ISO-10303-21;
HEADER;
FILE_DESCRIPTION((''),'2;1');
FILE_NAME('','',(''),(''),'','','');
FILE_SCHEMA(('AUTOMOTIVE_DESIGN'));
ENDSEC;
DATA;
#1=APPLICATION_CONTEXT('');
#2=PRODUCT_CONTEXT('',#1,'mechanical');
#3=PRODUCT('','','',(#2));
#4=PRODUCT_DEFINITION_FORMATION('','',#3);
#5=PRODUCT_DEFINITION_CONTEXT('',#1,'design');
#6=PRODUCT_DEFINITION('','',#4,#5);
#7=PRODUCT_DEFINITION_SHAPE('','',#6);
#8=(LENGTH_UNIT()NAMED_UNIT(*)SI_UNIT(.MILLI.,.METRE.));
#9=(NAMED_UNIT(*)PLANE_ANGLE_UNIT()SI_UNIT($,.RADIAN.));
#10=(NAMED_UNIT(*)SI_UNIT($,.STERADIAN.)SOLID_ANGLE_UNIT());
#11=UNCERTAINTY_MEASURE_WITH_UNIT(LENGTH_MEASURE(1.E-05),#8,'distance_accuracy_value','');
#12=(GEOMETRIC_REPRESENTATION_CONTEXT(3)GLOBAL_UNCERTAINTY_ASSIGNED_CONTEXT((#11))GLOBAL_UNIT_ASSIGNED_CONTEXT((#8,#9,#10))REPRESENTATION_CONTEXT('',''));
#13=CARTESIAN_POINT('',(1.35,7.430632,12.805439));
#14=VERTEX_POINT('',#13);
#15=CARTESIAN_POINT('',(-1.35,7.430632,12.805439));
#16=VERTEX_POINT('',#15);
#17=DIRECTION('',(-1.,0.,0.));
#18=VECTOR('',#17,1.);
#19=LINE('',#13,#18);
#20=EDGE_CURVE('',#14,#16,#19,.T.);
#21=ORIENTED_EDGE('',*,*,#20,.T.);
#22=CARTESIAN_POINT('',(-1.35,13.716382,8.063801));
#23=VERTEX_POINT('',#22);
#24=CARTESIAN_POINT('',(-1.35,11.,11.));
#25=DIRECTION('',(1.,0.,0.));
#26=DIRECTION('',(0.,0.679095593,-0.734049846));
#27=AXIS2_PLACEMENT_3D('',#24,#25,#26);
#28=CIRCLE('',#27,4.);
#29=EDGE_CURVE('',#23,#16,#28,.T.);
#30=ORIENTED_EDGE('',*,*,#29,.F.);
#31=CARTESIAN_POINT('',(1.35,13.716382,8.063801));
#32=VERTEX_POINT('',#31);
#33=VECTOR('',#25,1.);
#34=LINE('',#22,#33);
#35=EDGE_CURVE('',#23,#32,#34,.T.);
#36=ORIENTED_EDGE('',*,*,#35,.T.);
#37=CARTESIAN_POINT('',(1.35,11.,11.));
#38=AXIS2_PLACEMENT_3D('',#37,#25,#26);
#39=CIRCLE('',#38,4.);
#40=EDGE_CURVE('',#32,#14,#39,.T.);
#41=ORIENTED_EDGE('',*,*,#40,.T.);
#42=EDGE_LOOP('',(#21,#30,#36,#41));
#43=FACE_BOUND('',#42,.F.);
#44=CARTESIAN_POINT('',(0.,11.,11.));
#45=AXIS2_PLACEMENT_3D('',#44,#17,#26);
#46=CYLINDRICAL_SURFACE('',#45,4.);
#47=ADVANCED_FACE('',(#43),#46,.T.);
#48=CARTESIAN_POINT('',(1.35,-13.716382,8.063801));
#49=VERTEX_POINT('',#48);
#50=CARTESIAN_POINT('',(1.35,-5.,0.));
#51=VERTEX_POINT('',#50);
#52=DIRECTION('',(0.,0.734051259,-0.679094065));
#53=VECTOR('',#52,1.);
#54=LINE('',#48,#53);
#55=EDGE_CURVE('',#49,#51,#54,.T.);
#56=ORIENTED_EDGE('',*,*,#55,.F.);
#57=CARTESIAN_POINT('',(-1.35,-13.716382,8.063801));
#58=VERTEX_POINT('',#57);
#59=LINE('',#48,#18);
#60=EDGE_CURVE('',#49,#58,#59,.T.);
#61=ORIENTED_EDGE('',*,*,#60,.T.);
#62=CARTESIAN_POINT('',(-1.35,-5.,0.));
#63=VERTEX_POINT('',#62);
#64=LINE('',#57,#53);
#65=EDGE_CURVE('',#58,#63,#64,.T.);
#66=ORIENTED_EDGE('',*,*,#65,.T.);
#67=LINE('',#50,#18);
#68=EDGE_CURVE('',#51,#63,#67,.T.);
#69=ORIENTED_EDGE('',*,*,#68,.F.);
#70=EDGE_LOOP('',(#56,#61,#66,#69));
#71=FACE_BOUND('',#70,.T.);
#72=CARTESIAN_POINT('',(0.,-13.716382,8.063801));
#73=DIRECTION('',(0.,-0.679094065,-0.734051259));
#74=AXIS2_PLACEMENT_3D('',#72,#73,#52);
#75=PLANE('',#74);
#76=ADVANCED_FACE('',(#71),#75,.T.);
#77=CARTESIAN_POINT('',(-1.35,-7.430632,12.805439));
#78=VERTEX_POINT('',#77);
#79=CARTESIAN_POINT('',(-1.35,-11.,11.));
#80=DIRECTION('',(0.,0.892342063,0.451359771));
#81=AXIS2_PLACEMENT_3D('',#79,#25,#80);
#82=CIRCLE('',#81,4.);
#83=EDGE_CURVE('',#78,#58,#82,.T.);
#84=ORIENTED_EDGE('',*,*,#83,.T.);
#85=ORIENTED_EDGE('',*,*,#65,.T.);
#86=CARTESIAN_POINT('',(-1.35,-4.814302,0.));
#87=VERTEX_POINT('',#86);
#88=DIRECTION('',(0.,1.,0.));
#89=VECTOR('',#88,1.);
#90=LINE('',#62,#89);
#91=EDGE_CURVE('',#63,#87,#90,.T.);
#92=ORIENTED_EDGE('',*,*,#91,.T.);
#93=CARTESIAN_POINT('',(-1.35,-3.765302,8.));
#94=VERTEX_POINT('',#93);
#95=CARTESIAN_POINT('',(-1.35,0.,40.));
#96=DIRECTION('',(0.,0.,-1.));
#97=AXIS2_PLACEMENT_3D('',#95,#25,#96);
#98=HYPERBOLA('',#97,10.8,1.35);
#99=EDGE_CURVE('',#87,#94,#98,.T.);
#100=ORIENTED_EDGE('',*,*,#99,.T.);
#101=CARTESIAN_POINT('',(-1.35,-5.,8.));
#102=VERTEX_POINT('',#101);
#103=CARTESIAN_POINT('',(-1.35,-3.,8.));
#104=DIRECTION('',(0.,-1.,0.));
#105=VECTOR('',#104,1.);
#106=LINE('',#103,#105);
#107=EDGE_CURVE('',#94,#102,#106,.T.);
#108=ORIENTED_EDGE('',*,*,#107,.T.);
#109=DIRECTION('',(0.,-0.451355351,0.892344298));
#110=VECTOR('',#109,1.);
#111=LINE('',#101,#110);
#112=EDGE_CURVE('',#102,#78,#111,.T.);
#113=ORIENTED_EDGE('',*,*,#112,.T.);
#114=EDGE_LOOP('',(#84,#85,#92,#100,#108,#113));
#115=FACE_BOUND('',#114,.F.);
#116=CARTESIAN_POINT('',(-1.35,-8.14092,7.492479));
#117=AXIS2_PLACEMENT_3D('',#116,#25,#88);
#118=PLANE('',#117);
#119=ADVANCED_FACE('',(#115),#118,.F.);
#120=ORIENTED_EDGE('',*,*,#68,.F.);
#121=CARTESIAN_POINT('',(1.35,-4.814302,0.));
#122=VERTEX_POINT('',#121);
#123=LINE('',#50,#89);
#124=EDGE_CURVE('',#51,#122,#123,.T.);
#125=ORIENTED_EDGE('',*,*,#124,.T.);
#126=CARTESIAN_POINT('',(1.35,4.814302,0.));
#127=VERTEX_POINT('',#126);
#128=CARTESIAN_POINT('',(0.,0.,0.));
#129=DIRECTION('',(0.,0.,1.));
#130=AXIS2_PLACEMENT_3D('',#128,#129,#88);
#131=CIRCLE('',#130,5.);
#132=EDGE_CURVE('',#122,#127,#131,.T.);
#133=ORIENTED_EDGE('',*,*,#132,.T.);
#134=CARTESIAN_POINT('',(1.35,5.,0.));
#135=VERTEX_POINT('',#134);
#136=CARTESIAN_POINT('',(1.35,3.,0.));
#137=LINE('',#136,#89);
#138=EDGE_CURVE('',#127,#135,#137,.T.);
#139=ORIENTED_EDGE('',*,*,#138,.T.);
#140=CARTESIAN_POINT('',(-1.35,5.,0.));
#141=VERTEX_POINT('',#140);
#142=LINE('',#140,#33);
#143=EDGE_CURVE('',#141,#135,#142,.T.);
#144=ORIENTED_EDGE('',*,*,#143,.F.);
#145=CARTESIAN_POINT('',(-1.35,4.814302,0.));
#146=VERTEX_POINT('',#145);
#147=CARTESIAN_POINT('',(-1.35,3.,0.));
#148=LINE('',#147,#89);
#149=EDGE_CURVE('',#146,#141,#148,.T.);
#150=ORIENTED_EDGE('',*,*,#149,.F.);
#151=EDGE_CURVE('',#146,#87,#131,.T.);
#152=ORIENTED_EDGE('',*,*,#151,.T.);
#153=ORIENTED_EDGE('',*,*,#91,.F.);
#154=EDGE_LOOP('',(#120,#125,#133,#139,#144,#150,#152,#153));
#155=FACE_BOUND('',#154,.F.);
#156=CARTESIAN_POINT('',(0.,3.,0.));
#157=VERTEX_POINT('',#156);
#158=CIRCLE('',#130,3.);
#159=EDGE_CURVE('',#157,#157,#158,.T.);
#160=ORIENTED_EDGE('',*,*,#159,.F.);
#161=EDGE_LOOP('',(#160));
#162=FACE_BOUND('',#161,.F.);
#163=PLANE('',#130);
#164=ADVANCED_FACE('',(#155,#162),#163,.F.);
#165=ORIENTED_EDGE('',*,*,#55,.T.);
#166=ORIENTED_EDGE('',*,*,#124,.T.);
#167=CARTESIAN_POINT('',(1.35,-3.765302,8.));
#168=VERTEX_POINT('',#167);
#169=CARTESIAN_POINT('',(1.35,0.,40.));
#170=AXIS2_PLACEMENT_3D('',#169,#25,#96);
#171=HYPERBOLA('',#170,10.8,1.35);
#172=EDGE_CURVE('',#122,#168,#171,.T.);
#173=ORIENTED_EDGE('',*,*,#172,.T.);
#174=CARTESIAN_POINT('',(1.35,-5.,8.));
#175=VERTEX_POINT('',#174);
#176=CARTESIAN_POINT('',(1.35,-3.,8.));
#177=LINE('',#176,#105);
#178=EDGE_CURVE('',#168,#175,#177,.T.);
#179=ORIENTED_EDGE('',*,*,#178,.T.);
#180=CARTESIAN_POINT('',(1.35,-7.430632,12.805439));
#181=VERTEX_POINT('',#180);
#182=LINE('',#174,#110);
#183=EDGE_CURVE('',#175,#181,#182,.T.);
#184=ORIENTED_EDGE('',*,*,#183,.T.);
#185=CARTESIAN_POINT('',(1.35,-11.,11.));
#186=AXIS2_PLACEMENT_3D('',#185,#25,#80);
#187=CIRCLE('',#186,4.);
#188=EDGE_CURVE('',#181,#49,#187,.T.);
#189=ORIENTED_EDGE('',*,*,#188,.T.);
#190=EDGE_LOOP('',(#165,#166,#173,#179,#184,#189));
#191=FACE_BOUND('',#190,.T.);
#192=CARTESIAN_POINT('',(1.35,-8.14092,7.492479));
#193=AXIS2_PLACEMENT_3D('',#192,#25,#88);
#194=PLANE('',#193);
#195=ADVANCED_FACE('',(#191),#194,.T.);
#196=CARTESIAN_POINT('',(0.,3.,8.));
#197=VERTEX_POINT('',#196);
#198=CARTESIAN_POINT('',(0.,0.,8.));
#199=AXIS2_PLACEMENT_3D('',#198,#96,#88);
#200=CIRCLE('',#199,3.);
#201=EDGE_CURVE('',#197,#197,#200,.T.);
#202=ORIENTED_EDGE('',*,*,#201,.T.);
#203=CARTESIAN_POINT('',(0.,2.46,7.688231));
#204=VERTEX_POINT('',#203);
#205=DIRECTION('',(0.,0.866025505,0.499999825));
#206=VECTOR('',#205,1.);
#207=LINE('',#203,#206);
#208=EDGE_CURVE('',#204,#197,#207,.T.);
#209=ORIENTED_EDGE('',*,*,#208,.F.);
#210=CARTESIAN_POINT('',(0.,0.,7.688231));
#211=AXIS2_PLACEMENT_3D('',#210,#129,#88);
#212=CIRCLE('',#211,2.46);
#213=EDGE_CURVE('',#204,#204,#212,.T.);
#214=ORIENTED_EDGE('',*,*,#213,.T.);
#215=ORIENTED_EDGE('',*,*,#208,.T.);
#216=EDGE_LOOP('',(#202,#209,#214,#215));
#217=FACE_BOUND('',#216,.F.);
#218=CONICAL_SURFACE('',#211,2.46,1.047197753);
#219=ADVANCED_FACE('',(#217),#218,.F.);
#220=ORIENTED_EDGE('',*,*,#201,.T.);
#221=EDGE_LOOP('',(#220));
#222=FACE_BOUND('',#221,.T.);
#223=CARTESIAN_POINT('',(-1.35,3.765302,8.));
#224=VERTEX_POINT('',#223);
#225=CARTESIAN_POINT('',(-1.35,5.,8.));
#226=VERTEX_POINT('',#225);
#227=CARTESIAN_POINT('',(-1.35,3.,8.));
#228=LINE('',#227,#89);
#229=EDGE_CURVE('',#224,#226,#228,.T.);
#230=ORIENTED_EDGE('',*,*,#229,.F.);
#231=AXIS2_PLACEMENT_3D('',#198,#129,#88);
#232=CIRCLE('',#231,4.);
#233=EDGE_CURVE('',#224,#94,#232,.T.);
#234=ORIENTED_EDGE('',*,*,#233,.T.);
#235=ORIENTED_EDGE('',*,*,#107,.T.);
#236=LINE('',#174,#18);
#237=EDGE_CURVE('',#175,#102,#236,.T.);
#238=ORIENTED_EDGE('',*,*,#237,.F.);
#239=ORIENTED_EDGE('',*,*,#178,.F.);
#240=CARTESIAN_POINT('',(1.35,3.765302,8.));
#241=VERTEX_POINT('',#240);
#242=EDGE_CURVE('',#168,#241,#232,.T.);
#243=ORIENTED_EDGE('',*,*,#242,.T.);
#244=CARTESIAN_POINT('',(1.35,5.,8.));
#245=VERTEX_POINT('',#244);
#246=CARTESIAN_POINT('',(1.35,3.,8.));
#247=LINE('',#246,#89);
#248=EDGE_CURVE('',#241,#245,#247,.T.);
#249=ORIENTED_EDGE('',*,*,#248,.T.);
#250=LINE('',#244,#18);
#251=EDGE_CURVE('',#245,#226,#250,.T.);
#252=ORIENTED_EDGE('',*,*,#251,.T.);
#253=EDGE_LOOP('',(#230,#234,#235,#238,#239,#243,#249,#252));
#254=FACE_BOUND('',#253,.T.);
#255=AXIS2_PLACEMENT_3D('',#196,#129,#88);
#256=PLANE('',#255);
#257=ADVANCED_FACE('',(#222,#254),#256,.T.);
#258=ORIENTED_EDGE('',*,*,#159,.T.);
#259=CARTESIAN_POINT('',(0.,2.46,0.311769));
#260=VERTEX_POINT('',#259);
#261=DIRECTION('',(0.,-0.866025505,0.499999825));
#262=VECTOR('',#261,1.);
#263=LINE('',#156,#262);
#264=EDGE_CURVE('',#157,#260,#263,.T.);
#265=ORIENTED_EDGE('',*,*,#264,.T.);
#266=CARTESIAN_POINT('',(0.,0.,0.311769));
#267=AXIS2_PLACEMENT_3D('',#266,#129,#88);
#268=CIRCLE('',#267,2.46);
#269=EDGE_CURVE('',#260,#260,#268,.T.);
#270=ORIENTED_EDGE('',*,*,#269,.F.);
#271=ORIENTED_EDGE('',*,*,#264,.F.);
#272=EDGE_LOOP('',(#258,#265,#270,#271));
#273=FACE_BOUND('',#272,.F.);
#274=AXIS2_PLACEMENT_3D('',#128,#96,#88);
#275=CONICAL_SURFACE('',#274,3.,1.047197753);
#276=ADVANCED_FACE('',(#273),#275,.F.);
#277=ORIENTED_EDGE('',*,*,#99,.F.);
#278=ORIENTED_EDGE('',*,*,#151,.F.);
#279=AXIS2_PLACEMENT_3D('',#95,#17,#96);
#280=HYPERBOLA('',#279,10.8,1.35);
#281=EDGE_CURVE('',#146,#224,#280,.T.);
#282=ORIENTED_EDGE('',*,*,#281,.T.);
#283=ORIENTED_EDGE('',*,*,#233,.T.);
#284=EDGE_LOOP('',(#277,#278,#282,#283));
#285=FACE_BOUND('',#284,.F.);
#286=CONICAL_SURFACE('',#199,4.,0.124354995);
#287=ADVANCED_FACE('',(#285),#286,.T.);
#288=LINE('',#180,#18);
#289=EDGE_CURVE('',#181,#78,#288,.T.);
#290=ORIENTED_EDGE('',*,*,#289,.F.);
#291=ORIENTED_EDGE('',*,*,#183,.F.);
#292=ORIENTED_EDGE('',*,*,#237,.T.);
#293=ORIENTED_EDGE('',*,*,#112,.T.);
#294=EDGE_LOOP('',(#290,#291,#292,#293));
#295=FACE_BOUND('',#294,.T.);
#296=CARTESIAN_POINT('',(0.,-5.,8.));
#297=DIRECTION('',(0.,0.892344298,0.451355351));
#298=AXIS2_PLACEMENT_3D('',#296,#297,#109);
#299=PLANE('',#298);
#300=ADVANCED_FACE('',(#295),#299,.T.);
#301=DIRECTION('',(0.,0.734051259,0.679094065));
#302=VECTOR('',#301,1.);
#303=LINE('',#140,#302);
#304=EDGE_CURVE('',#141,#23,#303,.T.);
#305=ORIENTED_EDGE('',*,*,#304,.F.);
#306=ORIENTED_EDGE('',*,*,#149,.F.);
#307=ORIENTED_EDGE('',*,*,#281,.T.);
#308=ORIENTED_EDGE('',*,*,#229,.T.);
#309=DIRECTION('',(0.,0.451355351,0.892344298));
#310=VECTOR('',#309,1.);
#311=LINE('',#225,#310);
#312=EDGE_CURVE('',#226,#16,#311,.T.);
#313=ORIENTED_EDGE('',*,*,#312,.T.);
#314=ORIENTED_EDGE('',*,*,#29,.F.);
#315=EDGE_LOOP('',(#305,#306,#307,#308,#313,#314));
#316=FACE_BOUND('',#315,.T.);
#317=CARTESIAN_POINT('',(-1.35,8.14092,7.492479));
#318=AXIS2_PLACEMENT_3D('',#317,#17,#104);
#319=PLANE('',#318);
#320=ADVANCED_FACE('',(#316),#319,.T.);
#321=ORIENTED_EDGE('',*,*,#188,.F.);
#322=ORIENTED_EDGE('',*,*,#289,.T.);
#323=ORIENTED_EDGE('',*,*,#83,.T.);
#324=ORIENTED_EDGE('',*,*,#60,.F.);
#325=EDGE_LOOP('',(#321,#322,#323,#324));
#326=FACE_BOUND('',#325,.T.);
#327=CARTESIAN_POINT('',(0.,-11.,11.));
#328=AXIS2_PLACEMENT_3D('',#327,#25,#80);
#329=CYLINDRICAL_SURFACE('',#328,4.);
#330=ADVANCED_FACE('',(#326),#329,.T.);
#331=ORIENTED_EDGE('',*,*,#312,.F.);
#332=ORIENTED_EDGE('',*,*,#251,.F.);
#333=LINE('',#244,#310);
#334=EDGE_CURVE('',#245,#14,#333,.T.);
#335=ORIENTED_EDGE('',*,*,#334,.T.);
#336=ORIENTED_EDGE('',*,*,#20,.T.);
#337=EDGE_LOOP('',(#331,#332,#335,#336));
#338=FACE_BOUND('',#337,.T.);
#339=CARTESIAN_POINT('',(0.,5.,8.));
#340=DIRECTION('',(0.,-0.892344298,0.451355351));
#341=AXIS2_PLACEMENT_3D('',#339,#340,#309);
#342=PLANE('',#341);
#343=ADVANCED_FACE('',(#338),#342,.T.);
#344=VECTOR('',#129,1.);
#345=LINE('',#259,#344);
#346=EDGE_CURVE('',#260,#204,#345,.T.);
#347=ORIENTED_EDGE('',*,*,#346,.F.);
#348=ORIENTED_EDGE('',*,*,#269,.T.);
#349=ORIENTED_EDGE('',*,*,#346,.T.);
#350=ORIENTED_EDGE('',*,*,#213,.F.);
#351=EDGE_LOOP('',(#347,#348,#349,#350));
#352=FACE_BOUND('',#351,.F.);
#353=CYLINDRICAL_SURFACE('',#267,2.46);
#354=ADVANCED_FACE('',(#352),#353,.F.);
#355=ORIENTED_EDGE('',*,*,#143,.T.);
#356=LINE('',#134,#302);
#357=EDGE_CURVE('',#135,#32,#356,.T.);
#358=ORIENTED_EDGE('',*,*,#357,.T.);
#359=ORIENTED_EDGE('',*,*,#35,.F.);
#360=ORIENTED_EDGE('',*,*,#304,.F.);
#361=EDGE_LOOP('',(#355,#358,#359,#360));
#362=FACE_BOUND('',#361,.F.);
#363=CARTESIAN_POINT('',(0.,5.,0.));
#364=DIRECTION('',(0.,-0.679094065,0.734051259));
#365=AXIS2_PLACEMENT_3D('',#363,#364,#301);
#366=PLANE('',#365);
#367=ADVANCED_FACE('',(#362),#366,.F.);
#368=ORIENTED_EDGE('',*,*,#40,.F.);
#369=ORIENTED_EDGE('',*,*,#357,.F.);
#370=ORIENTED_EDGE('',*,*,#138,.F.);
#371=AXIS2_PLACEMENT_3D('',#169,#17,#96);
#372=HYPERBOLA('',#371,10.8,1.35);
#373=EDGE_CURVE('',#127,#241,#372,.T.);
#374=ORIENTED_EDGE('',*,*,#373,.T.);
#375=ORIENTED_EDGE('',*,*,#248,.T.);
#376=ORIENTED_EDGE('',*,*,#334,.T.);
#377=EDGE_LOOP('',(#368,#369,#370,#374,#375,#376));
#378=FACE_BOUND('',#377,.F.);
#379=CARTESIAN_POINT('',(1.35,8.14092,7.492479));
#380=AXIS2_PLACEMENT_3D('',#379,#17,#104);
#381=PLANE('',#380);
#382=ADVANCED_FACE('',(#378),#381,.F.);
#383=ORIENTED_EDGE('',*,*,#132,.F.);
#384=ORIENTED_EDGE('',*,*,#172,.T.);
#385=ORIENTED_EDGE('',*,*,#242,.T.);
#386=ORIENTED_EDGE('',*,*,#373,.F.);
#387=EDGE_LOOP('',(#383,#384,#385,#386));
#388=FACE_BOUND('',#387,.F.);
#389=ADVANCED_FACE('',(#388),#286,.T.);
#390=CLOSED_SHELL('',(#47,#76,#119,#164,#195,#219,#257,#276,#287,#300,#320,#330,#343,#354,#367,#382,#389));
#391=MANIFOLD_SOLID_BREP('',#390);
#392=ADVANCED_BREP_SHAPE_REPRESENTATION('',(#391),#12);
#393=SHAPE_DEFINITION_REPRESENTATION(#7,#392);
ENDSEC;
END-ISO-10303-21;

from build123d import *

# Parameters (mm, degrees)
PAD_DEPTH = 1.35


with BuildPart() as pad:
    # Sketch001 → Pad (new body, symmetric)
    with BuildSketch(Plane.YZ):
        with BuildLine():
            Line((3, 0), (3, 8))
            Line((3, 8), (5, 8))
            Line((5, 8), (7.430632, 12.805439))
            ThreePointArc((13.716382, 8.063801), (13.408875, 14.193324), (7.430632, 12.805439))
            Line((5, 0), (13.716382, 8.063801))
            Line((3, 0), (5, 0))
        make_face()
        with BuildLine():
            Line((-13.716382, 8.063801), (-5, 0))
            Line((-5, 0), (-3, 0))
            Line((-3, 0), (-3, 8))
            Line((-3, 8), (-5, 8))
            Line((-5, 8), (-7.430632, 12.805439))
            ThreePointArc((-7.430632, 12.805439), (-13.408875, 14.193324), (-13.716382, 8.063801))
        make_face()
    extrude(amount=PAD_DEPTH, both=True)


with BuildPart() as fl_gelmutter_din_315_m6:
    # Sketch → Revolution (revolve)
    with BuildSketch(Plane.YZ):
        Polygon((3, 0), (2.46, 0.311769), (2.46, 7.688231), (3, 8), (4, 8), (5, 0), align=None)
    revolve(axis=Axis((0, 0, 0), (0, 0, 1)))

    # Fusion: union Pad
    add(pad.part)


solid = fl_gelmutter_din_315_m6.part
